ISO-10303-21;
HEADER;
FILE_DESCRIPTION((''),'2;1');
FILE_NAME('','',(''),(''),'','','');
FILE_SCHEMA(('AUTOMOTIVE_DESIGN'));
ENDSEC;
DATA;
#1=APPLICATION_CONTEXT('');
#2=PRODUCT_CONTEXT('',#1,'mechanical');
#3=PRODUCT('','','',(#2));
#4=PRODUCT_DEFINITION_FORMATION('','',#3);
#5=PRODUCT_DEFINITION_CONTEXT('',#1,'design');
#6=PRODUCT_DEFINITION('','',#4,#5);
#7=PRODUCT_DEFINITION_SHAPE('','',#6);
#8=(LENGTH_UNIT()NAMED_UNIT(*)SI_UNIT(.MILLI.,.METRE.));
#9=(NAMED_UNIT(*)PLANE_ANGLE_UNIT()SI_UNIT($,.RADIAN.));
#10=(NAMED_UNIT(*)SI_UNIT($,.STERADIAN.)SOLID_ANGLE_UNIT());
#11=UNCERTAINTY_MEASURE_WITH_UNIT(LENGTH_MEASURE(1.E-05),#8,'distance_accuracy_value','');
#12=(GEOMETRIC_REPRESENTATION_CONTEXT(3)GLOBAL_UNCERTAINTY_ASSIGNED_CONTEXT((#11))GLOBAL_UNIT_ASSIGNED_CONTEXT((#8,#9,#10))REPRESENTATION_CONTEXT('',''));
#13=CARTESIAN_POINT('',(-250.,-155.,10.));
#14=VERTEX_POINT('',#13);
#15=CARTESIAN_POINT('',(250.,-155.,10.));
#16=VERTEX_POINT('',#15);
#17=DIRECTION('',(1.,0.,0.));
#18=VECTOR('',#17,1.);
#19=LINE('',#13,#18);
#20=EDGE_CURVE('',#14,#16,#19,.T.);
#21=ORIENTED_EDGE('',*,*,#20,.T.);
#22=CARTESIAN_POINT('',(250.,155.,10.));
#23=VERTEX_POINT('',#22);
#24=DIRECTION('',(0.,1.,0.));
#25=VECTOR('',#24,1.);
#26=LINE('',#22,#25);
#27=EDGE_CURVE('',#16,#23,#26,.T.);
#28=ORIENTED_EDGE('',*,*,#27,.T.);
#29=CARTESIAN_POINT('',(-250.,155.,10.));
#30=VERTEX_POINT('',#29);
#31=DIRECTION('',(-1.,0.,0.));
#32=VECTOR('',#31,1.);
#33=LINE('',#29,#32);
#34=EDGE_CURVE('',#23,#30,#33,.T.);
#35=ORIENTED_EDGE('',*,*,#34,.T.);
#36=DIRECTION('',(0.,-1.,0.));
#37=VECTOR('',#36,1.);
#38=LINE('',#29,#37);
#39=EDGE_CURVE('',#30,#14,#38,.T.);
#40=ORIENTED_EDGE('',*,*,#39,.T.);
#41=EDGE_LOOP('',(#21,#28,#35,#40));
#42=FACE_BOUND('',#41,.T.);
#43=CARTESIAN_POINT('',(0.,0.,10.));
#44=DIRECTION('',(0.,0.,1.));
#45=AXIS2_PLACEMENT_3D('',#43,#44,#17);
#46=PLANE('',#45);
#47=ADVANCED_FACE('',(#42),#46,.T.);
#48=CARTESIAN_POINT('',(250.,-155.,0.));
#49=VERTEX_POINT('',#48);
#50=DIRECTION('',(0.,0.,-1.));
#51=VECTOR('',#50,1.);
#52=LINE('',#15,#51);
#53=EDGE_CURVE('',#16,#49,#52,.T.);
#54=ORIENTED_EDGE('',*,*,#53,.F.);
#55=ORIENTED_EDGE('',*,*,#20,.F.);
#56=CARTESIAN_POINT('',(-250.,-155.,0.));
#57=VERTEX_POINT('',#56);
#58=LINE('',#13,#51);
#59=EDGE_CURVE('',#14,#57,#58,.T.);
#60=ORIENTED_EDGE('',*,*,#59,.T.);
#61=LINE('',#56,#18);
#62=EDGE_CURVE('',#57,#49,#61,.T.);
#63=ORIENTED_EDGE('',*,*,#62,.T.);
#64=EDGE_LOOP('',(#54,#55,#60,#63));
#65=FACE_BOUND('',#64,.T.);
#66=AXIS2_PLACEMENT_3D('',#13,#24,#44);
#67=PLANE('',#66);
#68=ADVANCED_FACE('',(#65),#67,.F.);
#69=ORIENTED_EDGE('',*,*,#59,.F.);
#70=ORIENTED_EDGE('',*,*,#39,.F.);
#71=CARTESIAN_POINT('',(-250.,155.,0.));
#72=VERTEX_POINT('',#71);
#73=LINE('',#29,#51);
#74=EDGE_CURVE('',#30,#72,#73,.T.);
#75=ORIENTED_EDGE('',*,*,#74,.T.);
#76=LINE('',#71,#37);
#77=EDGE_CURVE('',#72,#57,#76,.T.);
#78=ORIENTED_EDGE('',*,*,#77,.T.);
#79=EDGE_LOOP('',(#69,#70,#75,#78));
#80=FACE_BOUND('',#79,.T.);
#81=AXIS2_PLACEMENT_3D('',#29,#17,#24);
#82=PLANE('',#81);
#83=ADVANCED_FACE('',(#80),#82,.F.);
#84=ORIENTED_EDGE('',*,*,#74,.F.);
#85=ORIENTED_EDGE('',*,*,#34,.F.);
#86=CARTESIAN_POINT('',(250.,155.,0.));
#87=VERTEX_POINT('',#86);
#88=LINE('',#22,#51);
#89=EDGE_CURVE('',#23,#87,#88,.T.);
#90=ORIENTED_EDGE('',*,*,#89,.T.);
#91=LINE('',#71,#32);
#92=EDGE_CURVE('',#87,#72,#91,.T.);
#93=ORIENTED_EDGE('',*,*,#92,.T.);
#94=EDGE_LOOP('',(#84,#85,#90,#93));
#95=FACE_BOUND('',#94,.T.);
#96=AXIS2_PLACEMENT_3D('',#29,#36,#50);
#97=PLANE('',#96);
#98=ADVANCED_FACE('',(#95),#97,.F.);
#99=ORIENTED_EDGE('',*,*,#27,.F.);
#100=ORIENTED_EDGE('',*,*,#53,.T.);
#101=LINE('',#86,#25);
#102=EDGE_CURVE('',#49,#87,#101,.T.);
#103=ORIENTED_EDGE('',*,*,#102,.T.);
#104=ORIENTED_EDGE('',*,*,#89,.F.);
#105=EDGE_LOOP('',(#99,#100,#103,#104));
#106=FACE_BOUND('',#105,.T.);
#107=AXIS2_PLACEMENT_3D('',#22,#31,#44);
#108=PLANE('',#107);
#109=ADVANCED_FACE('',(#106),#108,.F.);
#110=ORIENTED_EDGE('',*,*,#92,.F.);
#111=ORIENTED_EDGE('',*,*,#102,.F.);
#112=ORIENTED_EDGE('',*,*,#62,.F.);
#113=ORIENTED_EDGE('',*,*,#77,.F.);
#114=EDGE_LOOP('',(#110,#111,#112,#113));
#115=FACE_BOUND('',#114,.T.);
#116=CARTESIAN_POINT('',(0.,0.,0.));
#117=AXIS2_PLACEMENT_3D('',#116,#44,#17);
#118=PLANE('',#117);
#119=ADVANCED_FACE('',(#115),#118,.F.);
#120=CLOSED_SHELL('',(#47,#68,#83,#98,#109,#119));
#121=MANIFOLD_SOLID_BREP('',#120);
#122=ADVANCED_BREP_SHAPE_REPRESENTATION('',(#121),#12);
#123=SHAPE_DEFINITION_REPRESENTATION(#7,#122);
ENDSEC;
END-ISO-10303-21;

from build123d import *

# Parameters (mm, degrees)
SKETCH1_W           = 500
SKETCH1_H           = 310
BOSS_EXTRUDE1_DEPTH = 10


with BuildPart() as part:
    # Sketch1 → Boss-Extrude1 (new body)
    with BuildSketch(Plane.XY):
        Rectangle(SKETCH1_W, SKETCH1_H)
    extrude(amount=BOSS_EXTRUDE1_DEPTH)


solid = part.part
